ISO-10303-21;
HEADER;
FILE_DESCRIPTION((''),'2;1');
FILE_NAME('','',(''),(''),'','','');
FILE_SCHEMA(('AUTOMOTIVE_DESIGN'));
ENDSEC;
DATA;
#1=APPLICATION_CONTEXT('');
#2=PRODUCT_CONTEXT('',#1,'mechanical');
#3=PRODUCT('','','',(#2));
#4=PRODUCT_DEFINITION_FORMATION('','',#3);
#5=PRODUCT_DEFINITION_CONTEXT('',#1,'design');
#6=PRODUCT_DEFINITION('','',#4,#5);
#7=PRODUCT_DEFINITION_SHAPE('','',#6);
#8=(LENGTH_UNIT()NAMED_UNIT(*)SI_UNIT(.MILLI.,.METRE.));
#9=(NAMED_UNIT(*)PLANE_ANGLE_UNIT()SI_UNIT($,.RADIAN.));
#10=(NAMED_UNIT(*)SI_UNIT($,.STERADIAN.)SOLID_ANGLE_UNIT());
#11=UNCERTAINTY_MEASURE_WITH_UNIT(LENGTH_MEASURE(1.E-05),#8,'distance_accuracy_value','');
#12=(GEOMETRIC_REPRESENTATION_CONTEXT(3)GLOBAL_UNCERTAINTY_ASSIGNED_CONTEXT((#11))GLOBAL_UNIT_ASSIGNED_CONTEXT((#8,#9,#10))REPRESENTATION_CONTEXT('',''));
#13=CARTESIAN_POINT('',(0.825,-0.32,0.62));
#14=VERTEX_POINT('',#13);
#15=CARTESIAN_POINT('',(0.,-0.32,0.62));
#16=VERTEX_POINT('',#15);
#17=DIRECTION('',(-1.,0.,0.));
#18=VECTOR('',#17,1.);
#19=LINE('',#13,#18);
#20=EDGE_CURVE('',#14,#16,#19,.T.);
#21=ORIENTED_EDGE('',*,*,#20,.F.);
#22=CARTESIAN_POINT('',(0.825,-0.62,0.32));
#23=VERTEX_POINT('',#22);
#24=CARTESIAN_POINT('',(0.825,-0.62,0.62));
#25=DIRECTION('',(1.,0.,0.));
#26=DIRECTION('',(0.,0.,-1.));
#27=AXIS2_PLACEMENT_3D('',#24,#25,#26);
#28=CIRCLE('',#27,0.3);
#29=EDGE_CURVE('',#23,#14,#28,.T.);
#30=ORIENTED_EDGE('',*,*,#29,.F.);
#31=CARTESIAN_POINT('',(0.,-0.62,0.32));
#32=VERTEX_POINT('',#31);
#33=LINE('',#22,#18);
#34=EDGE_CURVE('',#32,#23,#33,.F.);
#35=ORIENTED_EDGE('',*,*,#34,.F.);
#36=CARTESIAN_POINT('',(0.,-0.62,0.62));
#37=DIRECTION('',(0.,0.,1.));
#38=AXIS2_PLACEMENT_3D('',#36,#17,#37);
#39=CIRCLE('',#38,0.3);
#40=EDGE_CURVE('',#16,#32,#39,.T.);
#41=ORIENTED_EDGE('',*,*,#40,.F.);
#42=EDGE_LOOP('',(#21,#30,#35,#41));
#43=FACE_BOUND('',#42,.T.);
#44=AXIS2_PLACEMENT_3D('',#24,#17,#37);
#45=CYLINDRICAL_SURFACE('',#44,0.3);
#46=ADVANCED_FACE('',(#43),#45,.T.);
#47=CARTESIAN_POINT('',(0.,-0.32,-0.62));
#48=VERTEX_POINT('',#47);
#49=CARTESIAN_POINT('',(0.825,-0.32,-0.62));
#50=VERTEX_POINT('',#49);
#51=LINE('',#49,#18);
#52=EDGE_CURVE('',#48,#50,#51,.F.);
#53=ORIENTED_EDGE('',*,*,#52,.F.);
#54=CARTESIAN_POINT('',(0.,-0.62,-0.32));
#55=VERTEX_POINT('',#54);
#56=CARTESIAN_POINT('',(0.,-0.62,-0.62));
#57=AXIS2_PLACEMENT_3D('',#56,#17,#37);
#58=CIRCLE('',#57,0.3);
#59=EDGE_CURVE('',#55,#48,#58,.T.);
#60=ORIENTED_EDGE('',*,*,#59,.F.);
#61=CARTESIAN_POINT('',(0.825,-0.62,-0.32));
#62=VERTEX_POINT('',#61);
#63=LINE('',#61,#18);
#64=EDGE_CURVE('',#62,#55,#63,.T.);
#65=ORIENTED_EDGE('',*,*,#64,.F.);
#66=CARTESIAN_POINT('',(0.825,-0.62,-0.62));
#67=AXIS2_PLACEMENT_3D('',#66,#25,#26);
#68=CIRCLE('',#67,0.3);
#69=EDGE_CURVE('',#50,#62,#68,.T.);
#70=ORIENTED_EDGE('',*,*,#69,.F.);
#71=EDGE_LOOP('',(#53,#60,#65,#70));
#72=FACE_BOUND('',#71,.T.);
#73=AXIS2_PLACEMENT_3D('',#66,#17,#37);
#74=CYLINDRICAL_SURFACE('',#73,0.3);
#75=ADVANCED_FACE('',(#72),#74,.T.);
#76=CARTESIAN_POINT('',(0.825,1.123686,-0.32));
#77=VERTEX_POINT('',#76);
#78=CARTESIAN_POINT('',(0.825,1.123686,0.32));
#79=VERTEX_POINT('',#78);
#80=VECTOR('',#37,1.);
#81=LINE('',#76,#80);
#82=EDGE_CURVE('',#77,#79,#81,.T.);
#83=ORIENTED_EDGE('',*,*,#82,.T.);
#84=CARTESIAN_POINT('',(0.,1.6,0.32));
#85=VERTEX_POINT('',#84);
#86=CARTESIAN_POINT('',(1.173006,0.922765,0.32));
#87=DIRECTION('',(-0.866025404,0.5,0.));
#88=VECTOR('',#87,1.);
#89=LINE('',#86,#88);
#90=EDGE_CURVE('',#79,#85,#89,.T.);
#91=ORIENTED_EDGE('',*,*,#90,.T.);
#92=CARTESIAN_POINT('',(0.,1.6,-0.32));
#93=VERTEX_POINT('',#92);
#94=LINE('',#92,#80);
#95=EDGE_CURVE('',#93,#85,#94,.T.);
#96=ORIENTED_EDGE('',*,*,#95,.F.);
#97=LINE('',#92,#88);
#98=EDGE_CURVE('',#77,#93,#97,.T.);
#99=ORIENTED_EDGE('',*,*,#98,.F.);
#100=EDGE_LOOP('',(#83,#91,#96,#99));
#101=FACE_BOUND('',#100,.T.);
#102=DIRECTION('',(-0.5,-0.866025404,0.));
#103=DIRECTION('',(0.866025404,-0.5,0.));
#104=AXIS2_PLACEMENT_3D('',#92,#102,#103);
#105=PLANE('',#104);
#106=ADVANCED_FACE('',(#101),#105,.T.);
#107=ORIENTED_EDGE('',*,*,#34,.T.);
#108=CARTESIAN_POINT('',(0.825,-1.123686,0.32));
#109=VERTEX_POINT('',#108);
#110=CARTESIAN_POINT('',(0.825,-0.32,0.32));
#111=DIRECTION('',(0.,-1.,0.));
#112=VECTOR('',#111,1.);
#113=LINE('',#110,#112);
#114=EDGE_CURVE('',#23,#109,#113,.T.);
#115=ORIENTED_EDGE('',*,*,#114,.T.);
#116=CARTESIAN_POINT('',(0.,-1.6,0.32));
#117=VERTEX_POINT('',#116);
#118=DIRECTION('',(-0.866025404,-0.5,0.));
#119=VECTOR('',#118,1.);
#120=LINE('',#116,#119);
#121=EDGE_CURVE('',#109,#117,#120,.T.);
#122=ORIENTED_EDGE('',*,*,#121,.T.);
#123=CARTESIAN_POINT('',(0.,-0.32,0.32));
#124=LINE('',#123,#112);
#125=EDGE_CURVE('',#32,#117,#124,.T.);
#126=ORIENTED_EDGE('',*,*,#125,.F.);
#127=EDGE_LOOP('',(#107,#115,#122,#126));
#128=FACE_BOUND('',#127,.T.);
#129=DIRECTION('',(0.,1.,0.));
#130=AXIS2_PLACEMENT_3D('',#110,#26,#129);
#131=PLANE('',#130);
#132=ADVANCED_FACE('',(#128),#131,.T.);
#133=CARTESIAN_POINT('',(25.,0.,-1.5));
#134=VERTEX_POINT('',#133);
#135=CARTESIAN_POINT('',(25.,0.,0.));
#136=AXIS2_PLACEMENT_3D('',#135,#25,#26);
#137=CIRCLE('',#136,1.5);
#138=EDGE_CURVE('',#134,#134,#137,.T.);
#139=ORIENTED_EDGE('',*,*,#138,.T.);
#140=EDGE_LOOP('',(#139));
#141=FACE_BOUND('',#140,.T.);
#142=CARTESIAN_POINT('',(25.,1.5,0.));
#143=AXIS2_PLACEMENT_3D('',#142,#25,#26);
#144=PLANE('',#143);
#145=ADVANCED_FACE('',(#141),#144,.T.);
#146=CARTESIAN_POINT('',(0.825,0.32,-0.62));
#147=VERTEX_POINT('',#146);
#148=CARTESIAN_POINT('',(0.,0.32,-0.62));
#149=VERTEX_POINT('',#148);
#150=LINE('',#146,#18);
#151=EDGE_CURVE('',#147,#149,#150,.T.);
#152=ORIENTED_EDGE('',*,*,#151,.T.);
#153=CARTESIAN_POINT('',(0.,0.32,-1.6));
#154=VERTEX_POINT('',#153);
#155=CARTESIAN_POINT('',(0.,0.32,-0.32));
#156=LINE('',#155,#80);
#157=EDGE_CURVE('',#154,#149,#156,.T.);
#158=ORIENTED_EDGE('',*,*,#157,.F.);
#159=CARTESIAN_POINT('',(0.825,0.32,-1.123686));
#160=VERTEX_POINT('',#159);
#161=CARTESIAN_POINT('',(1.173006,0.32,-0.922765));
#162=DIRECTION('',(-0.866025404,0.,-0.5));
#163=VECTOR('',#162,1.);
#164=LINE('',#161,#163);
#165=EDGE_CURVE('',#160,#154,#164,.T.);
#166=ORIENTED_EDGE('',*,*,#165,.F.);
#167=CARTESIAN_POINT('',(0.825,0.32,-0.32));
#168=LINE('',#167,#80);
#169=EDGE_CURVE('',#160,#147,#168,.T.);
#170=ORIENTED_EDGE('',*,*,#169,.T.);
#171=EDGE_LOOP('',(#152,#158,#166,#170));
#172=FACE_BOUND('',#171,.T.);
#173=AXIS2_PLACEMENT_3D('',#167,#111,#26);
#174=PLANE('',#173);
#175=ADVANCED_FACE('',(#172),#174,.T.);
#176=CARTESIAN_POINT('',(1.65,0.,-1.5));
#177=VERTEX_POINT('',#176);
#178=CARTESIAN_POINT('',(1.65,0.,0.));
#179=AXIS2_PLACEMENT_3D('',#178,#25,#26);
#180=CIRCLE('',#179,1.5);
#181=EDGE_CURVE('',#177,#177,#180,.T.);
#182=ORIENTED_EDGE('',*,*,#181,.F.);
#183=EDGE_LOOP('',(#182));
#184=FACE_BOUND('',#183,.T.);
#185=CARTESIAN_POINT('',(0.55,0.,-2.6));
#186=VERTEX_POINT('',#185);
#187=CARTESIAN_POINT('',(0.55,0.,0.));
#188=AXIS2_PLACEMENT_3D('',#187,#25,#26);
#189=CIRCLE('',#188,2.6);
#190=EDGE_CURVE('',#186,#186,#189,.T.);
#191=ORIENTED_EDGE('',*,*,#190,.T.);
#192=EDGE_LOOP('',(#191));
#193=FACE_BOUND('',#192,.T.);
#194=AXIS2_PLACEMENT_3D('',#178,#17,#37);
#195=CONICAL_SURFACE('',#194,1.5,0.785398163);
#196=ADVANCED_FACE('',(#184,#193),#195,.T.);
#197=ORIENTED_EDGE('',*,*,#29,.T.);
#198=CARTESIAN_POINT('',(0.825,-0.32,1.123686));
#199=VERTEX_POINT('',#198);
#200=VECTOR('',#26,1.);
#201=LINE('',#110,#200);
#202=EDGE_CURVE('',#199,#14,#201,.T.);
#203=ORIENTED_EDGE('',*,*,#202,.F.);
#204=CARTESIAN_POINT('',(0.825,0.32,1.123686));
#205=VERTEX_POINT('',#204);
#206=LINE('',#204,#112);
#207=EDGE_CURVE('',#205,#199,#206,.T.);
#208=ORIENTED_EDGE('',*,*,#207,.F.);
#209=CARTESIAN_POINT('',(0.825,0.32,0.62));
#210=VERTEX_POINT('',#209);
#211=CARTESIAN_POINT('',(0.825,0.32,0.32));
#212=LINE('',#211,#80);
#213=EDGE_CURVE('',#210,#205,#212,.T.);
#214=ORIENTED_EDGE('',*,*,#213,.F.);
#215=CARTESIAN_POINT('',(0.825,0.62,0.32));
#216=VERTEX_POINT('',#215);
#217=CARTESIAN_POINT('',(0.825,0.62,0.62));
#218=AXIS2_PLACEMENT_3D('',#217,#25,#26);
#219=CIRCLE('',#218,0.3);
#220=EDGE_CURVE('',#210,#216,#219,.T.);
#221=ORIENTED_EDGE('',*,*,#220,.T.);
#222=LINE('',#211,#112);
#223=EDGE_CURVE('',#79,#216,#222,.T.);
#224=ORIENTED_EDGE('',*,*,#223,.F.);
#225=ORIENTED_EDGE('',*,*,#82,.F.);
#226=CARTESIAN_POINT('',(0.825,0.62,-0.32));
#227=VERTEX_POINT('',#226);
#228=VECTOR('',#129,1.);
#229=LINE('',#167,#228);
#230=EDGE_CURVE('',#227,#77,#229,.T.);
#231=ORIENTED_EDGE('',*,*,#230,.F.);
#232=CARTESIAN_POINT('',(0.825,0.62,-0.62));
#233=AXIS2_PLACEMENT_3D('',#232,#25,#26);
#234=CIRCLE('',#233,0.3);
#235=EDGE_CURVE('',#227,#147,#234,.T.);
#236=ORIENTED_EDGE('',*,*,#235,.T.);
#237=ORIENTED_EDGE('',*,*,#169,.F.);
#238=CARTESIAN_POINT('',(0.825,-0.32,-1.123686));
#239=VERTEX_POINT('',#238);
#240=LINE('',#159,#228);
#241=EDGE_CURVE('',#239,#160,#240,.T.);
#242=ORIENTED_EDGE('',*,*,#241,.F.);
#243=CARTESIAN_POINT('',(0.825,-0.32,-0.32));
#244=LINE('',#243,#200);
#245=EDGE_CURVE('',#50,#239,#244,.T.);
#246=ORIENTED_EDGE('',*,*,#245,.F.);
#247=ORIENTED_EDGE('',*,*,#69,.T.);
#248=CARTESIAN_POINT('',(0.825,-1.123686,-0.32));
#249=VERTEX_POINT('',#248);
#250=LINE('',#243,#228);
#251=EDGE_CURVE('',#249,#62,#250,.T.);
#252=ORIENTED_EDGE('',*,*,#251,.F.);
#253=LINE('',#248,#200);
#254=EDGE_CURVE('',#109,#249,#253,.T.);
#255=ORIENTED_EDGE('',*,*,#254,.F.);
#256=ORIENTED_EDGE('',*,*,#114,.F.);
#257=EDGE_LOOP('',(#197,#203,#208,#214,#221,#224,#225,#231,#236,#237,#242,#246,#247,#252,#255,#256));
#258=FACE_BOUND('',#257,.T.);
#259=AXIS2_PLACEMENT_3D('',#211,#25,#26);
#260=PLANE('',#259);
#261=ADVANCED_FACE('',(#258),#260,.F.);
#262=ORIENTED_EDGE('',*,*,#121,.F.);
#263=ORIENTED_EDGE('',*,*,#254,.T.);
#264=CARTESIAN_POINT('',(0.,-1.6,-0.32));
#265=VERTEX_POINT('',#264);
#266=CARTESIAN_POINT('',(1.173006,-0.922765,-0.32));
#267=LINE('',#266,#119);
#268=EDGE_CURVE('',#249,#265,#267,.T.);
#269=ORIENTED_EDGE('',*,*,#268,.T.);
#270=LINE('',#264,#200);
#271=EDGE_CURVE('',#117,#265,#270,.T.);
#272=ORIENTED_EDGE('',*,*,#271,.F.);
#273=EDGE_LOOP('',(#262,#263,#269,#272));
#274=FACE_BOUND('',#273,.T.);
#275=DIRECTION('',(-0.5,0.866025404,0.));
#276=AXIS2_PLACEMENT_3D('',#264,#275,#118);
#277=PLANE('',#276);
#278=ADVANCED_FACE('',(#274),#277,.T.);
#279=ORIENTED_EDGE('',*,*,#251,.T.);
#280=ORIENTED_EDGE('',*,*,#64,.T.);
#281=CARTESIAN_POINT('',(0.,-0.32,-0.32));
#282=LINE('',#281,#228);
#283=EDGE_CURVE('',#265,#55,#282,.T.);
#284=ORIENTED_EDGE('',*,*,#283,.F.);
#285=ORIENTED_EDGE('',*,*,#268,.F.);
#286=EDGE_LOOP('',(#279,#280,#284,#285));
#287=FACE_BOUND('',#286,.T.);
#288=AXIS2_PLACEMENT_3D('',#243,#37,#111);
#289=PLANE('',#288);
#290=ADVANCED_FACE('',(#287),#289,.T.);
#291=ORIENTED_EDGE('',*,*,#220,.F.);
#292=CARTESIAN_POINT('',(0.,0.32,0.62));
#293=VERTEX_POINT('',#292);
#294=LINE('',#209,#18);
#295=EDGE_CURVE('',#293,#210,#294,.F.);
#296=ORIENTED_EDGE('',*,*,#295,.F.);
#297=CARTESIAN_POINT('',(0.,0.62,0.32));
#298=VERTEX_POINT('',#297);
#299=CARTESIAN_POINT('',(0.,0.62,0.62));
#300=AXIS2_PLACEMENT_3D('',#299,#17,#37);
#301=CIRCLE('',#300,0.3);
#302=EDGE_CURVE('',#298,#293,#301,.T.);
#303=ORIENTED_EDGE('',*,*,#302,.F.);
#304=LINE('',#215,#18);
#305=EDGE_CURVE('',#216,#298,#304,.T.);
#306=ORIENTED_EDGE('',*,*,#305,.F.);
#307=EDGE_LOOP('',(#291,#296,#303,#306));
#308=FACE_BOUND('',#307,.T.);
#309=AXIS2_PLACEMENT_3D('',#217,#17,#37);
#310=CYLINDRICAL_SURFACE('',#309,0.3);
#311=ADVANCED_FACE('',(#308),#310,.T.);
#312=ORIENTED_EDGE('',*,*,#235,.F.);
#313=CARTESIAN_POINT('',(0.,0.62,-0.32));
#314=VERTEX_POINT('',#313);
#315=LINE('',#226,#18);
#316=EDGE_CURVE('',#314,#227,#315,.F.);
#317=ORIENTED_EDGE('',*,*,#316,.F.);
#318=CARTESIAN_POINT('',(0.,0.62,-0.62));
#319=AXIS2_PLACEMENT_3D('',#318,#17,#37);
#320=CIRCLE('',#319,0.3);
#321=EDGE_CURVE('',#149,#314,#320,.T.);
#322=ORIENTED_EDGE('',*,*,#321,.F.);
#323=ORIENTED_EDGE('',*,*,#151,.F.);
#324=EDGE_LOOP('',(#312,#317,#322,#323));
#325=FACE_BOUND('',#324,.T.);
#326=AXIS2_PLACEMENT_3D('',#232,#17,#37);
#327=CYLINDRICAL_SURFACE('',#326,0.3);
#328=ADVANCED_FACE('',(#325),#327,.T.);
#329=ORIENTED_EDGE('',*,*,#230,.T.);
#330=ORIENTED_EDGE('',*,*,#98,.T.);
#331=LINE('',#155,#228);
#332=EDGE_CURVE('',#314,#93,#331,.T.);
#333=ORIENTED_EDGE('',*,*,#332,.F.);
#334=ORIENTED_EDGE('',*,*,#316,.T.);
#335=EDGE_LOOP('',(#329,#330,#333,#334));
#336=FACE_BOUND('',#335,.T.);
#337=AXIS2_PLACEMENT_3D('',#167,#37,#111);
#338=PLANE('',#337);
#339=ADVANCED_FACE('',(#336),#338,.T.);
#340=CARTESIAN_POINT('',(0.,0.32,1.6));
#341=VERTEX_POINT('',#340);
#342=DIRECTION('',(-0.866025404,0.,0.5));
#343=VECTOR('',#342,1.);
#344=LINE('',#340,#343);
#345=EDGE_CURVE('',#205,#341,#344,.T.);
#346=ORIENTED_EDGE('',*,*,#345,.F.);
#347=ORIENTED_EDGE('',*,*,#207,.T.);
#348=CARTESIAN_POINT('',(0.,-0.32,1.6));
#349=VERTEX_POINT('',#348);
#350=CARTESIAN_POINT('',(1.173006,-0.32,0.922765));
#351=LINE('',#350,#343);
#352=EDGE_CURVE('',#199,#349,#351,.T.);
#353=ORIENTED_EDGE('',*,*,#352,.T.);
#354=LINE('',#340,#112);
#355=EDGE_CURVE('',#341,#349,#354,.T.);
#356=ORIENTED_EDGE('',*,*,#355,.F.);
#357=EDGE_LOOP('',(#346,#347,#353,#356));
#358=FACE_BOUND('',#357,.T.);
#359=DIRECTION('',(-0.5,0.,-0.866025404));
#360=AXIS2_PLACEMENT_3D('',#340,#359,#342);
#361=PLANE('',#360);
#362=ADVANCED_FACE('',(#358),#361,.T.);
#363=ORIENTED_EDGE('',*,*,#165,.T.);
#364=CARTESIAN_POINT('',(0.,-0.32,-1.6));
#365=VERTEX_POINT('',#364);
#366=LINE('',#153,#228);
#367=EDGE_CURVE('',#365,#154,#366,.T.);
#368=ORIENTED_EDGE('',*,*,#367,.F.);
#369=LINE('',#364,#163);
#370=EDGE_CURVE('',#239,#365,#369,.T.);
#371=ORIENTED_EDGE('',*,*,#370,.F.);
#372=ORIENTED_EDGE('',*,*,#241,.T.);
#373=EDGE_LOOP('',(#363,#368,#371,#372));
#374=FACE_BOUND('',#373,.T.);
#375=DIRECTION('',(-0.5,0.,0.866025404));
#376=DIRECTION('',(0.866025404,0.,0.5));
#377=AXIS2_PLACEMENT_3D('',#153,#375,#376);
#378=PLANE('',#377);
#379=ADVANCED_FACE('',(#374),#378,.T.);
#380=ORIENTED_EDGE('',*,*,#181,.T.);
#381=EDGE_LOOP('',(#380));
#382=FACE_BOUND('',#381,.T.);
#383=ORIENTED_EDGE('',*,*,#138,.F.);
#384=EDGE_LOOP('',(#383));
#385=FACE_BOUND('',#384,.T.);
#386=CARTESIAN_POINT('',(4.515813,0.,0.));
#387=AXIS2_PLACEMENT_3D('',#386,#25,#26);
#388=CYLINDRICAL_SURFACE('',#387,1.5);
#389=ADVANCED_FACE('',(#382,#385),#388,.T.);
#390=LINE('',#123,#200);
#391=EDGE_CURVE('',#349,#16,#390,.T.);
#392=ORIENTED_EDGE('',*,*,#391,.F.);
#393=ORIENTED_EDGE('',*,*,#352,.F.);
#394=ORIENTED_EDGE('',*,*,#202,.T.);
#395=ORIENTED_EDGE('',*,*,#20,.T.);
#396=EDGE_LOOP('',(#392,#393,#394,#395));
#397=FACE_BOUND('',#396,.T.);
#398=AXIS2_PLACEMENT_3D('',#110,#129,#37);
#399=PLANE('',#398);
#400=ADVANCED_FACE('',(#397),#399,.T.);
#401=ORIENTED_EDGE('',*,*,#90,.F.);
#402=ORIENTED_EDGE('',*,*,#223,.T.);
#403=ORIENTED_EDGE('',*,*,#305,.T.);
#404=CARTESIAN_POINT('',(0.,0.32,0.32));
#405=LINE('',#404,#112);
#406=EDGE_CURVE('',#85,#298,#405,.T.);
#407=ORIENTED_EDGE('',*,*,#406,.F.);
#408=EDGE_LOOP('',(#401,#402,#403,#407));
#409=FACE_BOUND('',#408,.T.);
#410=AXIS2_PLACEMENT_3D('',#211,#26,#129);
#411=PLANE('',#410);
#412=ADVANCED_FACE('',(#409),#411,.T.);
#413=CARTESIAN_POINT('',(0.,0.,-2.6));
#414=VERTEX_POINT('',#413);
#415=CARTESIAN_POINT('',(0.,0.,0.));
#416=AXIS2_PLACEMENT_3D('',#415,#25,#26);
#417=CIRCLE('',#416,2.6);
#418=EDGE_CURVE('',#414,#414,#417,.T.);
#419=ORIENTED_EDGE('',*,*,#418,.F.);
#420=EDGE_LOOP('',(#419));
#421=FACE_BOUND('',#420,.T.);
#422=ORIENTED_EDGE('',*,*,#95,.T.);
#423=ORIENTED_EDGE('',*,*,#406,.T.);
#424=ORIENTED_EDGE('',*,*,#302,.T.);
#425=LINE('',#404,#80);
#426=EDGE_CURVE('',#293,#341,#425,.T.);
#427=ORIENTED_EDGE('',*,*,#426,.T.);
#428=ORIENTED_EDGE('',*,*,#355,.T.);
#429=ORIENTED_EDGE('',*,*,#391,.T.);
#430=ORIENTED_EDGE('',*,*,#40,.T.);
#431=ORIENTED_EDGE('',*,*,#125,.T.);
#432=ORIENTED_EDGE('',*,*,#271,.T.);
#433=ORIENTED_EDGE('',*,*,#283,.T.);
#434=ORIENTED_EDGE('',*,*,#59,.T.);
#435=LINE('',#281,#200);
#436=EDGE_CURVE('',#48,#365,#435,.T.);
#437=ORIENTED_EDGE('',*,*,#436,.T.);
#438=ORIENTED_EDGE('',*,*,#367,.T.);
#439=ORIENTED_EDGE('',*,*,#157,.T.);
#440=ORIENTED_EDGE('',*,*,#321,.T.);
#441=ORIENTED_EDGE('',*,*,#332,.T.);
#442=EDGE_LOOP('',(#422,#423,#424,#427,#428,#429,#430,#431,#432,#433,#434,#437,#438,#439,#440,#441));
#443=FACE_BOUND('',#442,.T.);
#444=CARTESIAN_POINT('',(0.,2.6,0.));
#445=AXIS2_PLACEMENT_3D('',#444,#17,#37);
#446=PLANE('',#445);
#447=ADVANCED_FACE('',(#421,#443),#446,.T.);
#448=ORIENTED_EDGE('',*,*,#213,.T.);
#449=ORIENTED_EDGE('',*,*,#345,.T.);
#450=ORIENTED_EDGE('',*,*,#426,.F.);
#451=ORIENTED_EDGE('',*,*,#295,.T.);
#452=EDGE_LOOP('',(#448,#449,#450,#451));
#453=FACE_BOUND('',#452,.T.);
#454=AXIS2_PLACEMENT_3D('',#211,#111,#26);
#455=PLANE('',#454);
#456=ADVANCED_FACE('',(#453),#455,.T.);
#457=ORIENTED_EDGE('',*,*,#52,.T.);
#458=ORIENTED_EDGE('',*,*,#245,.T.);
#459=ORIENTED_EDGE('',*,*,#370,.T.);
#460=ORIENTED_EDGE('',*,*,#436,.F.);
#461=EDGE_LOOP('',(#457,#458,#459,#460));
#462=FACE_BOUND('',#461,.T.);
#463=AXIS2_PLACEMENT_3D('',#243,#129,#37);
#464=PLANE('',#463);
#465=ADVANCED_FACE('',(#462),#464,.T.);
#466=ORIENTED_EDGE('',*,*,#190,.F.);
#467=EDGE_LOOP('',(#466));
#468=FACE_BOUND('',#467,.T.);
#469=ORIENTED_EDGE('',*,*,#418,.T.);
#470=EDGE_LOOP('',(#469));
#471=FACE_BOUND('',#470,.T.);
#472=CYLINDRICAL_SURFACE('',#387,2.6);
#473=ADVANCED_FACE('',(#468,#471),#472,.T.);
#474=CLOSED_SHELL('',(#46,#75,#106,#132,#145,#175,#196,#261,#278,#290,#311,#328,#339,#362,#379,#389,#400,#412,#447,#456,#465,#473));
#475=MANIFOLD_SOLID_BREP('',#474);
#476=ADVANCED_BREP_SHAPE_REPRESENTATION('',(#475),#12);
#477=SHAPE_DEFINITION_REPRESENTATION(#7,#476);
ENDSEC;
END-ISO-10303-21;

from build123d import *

# Parameters (mm, degrees)
CROSSRECESS_DEPTH = 0.825
DRAFT9_ANGLE      = 30
FILLET5_R         = 0.3
SKETCH10_W        = 0.5
SKETCH10_H        = 1.5


with BuildPart() as part:
    # Sketch1 → Base (revolve)
    with BuildSketch(Plane.XY, mode=Mode.PRIVATE) as base_sk:
        Polygon((25, 1.5), (2.65, 1.5), (1.65, 1.5), (0.55, 2.6), (0, 2.6), (0, 0), (25, 0), align=None)
    revolve(base_sk.sketch.rotate(Axis((4.515812911, 0, 0), (-1, 0, 0)), 90), axis=Axis((4.515812911, 0, 0), (-1, 0, 0)))

    # Sketch6 → CrossRecess (cut)
    with BuildSketch(Plane(origin=(0, 0, 0), x_dir=(0, 0, -1), z_dir=(1, 0, 0))):
        Polygon((0.32, 0.32), (0.32, 1.6), (-0.32, 1.6), (-0.32, 0.32), (-1.6, 0.32), (-1.6, -0.32), (-0.32, -0.32), (-0.32, -1.6), (0.32, -1.6), (0.32, -0.32), (1.6, -0.32), (1.6, 0.32), align=None)
    extrude(amount=CROSSRECESS_DEPTH, mode=Mode.SUBTRACT)

    # Draft9
    draft9_faces = [part.faces().sort_by_distance(p)[0] for p in [
        (0.4125, -1.6, 0),
        (0.4125, 0, 1.6),
        (0.4125, 0, -1.6),
        (0.4125, 1.6, 0),
    ]]
    draft(draft9_faces, Plane(origin=(0, 2.6, 0), x_dir=(0, 0, -1), z_dir=(-1, 0, 0)), DRAFT9_ANGLE)

    # Fillet5
    fillet5_edges = [part.edges().sort_by_distance(p)[0] for p in [
        (0.4125, 0.32, 0.32),
        (0.4125, -0.32, 0.32),
        (0.4125, -0.32, -0.32),
        (0.4125, 0.32, -0.32),
    ]]
    fillet(fillet5_edges, radius=FILLET5_R)

    # Sketch10 → Revolve2 (revolve)
    with BuildSketch(Plane.XY):
        with Locations((1.9, 0.75)):
            Rectangle(SKETCH10_W, SKETCH10_H)
    revolve(axis=Axis((62.228915663, 0, 0), (-1, 0, 0)))


solid = part.part
